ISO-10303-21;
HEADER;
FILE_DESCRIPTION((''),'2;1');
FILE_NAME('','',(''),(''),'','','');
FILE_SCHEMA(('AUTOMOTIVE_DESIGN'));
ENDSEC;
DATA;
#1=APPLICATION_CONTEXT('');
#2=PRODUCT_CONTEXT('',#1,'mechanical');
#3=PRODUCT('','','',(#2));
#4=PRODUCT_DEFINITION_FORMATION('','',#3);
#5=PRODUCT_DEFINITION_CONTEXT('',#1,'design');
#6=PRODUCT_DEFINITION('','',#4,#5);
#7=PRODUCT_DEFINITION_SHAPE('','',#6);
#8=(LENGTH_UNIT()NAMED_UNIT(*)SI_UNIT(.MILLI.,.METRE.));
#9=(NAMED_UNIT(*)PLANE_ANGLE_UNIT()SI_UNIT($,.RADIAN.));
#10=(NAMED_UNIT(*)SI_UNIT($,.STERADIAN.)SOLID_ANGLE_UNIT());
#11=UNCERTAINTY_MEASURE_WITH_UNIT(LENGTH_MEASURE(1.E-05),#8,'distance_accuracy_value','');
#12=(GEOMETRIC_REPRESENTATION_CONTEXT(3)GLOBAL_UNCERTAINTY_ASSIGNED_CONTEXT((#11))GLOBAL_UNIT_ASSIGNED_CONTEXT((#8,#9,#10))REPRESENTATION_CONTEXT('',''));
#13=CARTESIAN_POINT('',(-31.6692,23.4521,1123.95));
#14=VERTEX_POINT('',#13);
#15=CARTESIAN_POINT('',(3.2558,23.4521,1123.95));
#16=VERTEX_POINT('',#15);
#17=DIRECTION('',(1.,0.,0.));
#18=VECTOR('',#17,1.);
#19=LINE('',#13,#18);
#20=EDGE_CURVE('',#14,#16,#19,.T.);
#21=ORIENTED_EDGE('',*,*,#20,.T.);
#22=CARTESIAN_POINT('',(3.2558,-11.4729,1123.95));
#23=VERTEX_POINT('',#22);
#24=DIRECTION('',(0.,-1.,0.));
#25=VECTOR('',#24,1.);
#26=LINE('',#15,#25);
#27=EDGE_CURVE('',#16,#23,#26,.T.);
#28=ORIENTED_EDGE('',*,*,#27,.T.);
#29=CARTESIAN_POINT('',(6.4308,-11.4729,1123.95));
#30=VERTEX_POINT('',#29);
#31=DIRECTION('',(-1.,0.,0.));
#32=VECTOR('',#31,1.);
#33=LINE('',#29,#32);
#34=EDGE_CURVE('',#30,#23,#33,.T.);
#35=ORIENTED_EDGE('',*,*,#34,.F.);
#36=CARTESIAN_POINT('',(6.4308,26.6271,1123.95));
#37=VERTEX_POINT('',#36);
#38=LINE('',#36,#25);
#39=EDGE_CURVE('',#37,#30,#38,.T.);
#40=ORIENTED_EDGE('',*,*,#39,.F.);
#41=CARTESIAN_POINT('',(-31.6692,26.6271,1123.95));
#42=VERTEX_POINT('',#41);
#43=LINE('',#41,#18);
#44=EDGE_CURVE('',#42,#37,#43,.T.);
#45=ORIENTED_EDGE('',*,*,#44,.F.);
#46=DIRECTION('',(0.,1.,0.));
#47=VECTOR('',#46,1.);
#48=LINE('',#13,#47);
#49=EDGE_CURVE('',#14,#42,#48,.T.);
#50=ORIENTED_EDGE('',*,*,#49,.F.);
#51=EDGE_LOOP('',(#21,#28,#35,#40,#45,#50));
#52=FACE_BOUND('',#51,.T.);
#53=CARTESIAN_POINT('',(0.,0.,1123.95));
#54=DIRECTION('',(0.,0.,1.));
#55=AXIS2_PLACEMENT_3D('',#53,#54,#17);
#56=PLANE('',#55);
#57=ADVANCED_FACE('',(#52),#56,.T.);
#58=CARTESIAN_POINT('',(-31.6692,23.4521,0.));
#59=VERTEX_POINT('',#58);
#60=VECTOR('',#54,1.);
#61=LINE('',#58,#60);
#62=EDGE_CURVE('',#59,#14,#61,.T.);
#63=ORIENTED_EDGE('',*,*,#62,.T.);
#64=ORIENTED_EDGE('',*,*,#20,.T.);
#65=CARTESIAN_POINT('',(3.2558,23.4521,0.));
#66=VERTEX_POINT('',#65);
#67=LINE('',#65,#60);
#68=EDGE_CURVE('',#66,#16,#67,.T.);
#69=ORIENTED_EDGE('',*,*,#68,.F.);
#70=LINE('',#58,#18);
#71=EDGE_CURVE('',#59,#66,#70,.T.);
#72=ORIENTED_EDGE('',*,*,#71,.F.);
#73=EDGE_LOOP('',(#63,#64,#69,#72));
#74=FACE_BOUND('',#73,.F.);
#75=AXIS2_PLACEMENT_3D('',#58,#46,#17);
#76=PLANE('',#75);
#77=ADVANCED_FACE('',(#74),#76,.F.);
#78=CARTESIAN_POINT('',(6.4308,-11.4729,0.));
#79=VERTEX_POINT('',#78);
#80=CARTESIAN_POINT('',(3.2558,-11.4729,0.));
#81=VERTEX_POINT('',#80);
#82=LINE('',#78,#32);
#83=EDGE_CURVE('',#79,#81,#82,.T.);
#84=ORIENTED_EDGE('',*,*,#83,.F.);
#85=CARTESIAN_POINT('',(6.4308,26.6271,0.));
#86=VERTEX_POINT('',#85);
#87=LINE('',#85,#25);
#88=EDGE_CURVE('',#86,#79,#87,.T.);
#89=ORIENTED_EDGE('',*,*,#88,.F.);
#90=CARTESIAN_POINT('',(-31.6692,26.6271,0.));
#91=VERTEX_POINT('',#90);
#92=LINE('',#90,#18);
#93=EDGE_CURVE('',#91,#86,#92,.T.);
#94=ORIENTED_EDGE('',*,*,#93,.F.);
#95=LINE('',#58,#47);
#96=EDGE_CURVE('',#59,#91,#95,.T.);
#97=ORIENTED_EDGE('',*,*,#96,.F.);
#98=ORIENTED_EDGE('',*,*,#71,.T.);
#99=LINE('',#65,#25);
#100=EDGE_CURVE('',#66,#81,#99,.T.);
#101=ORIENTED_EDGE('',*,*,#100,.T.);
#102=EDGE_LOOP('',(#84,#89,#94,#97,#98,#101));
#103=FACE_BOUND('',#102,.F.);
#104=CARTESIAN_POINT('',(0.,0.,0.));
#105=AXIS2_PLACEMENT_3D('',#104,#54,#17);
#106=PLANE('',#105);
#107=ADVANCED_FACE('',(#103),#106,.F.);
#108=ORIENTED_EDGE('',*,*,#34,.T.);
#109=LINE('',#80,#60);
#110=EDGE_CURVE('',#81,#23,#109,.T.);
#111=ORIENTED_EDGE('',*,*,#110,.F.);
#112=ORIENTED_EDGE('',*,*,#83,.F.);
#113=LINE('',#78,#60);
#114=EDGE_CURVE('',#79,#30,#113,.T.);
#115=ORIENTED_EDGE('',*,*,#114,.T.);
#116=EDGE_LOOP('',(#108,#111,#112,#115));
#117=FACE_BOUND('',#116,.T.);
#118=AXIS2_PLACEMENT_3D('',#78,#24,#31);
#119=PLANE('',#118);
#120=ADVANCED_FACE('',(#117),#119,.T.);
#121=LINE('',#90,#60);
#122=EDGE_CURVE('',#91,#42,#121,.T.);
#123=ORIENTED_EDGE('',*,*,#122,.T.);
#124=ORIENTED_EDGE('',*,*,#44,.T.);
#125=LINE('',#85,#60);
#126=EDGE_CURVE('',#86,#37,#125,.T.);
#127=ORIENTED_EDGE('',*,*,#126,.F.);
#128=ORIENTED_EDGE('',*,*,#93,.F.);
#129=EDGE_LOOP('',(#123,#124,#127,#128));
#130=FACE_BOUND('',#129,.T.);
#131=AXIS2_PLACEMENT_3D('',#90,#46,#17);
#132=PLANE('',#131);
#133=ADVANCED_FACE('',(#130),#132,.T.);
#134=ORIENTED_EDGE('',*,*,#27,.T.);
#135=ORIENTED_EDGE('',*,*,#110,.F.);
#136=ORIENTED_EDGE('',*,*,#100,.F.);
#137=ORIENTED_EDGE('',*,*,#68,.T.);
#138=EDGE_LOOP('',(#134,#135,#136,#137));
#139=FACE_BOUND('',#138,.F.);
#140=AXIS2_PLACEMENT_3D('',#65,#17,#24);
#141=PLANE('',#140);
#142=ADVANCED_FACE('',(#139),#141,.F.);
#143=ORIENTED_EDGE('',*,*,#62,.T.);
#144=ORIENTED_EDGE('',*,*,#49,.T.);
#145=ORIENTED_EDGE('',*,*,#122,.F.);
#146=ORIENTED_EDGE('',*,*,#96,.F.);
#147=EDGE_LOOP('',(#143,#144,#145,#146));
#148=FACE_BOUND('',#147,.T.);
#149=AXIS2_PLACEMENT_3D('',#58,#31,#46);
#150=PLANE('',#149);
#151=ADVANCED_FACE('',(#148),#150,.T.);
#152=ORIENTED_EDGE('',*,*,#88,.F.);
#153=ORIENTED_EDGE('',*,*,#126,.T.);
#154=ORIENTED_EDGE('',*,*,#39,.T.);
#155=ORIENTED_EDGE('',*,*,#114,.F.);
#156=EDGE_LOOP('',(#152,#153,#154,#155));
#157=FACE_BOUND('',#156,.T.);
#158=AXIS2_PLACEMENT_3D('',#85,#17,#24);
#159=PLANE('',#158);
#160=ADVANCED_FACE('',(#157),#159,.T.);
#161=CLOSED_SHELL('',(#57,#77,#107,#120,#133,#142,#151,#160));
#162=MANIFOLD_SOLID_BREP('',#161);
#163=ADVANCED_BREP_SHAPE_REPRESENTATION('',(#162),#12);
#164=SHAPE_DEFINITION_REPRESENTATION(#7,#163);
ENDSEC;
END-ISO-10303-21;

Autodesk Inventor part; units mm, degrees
ref_plane "YZ Plane" through (0, 0, 0) normal (1, 0, 0) x (0, 1, 0)
ref_plane "XZ Plane" through (0, 0, 0) normal (0, 1, 0) x (-1, 0, 0)
ref_plane "XY Plane" through (0, 0, 0) normal (0, 0, 1) x (1, 0, 0)
sketch "Sketch1" plane through (0, 0, 0) normal (0, 0, 1) x (1, 0, 0)
  line L0 (-31.6692, 26.6271) -> (6.4308, 26.6271)
  line L1 (6.4308, 26.6271) -> (6.4308, -11.4729)
  line L2 (6.4308, -11.4729) -> (3.2558, -11.4729)
  line L3 (-31.6692, 23.4521) -> (-31.6692, 26.6271)
  line L4 (-31.6692, 23.4521) -> (3.2558, 23.4521)
  line L5 (3.2558, 23.4521) -> (3.2558, -11.4729)
  dimension "d0" = 38.1
  dimension "d1" = 38.1
  dimension "d2" = 3.175
  dimension "d3" = 3.175
extrude "Extrusion1" add sketch "Sketch1" along normal blind 1123.95
properties part number "GE-09031-02"
